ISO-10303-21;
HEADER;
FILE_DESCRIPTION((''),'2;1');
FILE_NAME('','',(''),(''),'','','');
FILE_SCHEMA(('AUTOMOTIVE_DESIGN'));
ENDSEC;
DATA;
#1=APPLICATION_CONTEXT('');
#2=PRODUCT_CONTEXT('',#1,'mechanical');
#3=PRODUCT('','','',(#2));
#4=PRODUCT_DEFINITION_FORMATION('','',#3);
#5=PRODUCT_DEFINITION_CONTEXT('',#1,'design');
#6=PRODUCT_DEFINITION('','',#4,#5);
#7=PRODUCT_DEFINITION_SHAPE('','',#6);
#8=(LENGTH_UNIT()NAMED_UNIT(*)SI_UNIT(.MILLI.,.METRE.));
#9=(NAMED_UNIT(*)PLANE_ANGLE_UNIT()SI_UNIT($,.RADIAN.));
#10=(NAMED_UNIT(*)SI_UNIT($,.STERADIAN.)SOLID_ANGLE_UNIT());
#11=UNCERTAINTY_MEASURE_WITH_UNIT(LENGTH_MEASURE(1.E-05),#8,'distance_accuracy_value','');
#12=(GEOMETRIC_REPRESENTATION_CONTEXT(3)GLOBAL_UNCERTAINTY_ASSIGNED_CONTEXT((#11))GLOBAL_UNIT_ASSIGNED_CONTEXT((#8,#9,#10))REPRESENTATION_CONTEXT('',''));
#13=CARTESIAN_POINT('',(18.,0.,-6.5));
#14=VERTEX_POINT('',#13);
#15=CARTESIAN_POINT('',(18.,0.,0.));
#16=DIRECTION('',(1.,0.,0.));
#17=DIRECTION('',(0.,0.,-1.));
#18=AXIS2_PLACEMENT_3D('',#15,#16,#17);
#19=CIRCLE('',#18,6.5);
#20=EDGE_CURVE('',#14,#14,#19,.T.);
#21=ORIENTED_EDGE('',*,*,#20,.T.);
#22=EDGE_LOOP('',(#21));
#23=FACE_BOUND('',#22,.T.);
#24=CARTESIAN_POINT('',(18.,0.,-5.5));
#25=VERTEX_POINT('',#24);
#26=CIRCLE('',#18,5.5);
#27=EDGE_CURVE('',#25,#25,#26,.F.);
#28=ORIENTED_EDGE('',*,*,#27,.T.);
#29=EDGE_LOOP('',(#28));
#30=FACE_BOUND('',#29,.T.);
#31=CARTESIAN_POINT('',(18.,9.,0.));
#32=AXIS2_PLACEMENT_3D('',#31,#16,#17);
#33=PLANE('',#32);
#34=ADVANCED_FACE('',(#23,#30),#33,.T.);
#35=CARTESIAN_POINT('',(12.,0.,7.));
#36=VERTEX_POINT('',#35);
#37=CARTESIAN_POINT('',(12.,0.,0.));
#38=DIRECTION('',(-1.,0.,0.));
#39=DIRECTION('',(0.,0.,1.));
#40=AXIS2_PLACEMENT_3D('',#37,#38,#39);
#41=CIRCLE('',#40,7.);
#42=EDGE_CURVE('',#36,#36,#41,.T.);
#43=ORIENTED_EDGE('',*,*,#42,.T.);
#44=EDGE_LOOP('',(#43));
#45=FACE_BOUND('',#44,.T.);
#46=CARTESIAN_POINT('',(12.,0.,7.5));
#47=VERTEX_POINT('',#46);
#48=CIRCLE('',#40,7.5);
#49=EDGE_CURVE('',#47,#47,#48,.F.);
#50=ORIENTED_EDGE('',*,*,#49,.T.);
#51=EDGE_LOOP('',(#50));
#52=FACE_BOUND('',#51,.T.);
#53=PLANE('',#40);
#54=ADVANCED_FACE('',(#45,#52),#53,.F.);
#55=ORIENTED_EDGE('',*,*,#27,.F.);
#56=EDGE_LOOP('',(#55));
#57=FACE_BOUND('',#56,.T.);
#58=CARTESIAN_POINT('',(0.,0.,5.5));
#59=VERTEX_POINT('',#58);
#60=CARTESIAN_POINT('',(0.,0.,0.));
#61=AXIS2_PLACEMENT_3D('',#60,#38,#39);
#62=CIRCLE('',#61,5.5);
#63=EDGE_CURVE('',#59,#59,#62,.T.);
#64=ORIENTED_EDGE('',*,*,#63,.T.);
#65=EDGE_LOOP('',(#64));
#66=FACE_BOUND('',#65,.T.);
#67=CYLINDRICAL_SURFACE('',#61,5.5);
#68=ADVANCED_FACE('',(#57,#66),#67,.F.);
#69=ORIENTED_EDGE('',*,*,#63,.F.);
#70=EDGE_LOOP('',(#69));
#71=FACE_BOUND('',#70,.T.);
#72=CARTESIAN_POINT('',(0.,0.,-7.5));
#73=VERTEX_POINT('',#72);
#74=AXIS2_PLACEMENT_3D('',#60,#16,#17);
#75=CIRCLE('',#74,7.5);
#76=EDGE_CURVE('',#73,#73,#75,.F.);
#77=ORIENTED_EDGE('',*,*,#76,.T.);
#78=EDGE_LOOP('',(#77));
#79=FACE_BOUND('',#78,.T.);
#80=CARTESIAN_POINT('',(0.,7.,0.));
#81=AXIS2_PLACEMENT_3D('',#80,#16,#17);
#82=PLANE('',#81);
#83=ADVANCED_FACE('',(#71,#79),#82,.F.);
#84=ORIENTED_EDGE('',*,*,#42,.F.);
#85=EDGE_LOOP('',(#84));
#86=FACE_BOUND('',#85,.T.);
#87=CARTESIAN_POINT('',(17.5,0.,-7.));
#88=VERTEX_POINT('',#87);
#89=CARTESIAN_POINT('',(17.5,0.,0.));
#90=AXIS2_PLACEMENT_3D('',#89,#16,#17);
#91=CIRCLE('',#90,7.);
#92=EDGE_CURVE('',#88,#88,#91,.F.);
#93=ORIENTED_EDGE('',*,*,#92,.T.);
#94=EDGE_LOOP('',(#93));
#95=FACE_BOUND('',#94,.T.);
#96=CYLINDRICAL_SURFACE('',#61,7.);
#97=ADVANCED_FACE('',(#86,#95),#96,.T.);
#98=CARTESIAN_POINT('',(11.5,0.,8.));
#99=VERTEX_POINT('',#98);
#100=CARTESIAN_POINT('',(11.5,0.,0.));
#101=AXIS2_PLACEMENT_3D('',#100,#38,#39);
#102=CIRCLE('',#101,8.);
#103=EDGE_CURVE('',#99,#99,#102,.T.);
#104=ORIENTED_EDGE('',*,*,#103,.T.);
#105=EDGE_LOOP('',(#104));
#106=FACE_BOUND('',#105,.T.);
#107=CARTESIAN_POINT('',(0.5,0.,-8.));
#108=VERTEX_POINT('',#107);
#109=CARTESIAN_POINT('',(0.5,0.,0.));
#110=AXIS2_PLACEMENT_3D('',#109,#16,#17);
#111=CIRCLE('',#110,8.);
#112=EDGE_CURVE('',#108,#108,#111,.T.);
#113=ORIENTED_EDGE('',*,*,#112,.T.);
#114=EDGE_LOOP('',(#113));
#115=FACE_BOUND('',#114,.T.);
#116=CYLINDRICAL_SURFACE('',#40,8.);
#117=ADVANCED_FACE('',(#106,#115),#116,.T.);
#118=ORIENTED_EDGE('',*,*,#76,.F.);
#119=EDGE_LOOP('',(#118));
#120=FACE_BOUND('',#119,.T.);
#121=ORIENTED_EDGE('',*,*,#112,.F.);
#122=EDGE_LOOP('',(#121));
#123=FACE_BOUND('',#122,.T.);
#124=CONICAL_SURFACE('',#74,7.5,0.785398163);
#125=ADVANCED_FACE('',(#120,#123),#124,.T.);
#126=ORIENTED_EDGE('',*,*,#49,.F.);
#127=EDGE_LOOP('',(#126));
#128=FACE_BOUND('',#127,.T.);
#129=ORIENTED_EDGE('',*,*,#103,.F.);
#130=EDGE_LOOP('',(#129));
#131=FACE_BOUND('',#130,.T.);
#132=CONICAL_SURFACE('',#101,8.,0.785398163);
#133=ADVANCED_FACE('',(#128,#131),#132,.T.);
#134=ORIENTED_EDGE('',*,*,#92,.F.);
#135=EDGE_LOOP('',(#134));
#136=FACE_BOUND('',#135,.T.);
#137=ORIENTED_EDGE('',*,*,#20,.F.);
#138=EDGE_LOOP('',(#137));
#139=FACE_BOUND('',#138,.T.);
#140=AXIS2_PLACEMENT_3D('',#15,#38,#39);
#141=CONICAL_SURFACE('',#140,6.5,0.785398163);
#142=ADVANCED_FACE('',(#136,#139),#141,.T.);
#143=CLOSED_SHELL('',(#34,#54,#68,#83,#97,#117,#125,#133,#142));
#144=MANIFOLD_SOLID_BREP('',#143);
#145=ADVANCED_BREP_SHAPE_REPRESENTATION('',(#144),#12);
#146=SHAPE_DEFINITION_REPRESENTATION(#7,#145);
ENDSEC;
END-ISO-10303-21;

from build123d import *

# Parameters (mm, degrees)
CUT_EXTRUDE_START   = -2
SKETCH_4_R          = 9
CUT_EXTRUDE_1_DEPTH = 2
EXTRUDE_START       = -12
SKETCH_5_R          = 8
SKETCH_5_R_2        = 5.5
EXTRUDE_1_DEPTH     = 12
CHAMFER_1_SIZE      = 0.5


with BuildPart() as part:
    # Эскиз1 → Повернуть1 (revolve)
    with BuildSketch(Plane.XY, mode=Mode.PRIVATE) as revolve_1_sk:
        Polygon((0, 5.5), (20, 5.5), (20, 9), (18, 9), (18, 7), (0, 7), align=None)
    revolve(revolve_1_sk.sketch.rotate(Axis((0, 0, 0), (1, 0, 0)), 90), axis=Axis((0, 0, 0), (1, 0, 0)))

    # Эскиз4 → Вырез-Вытянуть1 (cut)
    with BuildSketch(Plane(origin=(20, 0, 0), x_dir=(0, 0, -1), z_dir=(1, 0, 0)).offset(CUT_EXTRUDE_START)):
        Circle(SKETCH_4_R)
    extrude(amount=CUT_EXTRUDE_1_DEPTH, mode=Mode.SUBTRACT)

    # Эскиз5 → Бобышка-Вытянуть1 (add)
    with BuildSketch(Plane.ZY.offset(EXTRUDE_START)):
        Circle(SKETCH_5_R)
        Circle(SKETCH_5_R_2, mode=Mode.SUBTRACT)
    extrude(amount=EXTRUDE_1_DEPTH)

    # Фаска1
    chamfer_1_edges = [part.edges().sort_by_distance(p)[0] for p in [
        (18, 0, -7),
        (12, 0, -8),
        (0, 0, -8),
    ]]
    chamfer(chamfer_1_edges, length=CHAMFER_1_SIZE)


solid = part.part
